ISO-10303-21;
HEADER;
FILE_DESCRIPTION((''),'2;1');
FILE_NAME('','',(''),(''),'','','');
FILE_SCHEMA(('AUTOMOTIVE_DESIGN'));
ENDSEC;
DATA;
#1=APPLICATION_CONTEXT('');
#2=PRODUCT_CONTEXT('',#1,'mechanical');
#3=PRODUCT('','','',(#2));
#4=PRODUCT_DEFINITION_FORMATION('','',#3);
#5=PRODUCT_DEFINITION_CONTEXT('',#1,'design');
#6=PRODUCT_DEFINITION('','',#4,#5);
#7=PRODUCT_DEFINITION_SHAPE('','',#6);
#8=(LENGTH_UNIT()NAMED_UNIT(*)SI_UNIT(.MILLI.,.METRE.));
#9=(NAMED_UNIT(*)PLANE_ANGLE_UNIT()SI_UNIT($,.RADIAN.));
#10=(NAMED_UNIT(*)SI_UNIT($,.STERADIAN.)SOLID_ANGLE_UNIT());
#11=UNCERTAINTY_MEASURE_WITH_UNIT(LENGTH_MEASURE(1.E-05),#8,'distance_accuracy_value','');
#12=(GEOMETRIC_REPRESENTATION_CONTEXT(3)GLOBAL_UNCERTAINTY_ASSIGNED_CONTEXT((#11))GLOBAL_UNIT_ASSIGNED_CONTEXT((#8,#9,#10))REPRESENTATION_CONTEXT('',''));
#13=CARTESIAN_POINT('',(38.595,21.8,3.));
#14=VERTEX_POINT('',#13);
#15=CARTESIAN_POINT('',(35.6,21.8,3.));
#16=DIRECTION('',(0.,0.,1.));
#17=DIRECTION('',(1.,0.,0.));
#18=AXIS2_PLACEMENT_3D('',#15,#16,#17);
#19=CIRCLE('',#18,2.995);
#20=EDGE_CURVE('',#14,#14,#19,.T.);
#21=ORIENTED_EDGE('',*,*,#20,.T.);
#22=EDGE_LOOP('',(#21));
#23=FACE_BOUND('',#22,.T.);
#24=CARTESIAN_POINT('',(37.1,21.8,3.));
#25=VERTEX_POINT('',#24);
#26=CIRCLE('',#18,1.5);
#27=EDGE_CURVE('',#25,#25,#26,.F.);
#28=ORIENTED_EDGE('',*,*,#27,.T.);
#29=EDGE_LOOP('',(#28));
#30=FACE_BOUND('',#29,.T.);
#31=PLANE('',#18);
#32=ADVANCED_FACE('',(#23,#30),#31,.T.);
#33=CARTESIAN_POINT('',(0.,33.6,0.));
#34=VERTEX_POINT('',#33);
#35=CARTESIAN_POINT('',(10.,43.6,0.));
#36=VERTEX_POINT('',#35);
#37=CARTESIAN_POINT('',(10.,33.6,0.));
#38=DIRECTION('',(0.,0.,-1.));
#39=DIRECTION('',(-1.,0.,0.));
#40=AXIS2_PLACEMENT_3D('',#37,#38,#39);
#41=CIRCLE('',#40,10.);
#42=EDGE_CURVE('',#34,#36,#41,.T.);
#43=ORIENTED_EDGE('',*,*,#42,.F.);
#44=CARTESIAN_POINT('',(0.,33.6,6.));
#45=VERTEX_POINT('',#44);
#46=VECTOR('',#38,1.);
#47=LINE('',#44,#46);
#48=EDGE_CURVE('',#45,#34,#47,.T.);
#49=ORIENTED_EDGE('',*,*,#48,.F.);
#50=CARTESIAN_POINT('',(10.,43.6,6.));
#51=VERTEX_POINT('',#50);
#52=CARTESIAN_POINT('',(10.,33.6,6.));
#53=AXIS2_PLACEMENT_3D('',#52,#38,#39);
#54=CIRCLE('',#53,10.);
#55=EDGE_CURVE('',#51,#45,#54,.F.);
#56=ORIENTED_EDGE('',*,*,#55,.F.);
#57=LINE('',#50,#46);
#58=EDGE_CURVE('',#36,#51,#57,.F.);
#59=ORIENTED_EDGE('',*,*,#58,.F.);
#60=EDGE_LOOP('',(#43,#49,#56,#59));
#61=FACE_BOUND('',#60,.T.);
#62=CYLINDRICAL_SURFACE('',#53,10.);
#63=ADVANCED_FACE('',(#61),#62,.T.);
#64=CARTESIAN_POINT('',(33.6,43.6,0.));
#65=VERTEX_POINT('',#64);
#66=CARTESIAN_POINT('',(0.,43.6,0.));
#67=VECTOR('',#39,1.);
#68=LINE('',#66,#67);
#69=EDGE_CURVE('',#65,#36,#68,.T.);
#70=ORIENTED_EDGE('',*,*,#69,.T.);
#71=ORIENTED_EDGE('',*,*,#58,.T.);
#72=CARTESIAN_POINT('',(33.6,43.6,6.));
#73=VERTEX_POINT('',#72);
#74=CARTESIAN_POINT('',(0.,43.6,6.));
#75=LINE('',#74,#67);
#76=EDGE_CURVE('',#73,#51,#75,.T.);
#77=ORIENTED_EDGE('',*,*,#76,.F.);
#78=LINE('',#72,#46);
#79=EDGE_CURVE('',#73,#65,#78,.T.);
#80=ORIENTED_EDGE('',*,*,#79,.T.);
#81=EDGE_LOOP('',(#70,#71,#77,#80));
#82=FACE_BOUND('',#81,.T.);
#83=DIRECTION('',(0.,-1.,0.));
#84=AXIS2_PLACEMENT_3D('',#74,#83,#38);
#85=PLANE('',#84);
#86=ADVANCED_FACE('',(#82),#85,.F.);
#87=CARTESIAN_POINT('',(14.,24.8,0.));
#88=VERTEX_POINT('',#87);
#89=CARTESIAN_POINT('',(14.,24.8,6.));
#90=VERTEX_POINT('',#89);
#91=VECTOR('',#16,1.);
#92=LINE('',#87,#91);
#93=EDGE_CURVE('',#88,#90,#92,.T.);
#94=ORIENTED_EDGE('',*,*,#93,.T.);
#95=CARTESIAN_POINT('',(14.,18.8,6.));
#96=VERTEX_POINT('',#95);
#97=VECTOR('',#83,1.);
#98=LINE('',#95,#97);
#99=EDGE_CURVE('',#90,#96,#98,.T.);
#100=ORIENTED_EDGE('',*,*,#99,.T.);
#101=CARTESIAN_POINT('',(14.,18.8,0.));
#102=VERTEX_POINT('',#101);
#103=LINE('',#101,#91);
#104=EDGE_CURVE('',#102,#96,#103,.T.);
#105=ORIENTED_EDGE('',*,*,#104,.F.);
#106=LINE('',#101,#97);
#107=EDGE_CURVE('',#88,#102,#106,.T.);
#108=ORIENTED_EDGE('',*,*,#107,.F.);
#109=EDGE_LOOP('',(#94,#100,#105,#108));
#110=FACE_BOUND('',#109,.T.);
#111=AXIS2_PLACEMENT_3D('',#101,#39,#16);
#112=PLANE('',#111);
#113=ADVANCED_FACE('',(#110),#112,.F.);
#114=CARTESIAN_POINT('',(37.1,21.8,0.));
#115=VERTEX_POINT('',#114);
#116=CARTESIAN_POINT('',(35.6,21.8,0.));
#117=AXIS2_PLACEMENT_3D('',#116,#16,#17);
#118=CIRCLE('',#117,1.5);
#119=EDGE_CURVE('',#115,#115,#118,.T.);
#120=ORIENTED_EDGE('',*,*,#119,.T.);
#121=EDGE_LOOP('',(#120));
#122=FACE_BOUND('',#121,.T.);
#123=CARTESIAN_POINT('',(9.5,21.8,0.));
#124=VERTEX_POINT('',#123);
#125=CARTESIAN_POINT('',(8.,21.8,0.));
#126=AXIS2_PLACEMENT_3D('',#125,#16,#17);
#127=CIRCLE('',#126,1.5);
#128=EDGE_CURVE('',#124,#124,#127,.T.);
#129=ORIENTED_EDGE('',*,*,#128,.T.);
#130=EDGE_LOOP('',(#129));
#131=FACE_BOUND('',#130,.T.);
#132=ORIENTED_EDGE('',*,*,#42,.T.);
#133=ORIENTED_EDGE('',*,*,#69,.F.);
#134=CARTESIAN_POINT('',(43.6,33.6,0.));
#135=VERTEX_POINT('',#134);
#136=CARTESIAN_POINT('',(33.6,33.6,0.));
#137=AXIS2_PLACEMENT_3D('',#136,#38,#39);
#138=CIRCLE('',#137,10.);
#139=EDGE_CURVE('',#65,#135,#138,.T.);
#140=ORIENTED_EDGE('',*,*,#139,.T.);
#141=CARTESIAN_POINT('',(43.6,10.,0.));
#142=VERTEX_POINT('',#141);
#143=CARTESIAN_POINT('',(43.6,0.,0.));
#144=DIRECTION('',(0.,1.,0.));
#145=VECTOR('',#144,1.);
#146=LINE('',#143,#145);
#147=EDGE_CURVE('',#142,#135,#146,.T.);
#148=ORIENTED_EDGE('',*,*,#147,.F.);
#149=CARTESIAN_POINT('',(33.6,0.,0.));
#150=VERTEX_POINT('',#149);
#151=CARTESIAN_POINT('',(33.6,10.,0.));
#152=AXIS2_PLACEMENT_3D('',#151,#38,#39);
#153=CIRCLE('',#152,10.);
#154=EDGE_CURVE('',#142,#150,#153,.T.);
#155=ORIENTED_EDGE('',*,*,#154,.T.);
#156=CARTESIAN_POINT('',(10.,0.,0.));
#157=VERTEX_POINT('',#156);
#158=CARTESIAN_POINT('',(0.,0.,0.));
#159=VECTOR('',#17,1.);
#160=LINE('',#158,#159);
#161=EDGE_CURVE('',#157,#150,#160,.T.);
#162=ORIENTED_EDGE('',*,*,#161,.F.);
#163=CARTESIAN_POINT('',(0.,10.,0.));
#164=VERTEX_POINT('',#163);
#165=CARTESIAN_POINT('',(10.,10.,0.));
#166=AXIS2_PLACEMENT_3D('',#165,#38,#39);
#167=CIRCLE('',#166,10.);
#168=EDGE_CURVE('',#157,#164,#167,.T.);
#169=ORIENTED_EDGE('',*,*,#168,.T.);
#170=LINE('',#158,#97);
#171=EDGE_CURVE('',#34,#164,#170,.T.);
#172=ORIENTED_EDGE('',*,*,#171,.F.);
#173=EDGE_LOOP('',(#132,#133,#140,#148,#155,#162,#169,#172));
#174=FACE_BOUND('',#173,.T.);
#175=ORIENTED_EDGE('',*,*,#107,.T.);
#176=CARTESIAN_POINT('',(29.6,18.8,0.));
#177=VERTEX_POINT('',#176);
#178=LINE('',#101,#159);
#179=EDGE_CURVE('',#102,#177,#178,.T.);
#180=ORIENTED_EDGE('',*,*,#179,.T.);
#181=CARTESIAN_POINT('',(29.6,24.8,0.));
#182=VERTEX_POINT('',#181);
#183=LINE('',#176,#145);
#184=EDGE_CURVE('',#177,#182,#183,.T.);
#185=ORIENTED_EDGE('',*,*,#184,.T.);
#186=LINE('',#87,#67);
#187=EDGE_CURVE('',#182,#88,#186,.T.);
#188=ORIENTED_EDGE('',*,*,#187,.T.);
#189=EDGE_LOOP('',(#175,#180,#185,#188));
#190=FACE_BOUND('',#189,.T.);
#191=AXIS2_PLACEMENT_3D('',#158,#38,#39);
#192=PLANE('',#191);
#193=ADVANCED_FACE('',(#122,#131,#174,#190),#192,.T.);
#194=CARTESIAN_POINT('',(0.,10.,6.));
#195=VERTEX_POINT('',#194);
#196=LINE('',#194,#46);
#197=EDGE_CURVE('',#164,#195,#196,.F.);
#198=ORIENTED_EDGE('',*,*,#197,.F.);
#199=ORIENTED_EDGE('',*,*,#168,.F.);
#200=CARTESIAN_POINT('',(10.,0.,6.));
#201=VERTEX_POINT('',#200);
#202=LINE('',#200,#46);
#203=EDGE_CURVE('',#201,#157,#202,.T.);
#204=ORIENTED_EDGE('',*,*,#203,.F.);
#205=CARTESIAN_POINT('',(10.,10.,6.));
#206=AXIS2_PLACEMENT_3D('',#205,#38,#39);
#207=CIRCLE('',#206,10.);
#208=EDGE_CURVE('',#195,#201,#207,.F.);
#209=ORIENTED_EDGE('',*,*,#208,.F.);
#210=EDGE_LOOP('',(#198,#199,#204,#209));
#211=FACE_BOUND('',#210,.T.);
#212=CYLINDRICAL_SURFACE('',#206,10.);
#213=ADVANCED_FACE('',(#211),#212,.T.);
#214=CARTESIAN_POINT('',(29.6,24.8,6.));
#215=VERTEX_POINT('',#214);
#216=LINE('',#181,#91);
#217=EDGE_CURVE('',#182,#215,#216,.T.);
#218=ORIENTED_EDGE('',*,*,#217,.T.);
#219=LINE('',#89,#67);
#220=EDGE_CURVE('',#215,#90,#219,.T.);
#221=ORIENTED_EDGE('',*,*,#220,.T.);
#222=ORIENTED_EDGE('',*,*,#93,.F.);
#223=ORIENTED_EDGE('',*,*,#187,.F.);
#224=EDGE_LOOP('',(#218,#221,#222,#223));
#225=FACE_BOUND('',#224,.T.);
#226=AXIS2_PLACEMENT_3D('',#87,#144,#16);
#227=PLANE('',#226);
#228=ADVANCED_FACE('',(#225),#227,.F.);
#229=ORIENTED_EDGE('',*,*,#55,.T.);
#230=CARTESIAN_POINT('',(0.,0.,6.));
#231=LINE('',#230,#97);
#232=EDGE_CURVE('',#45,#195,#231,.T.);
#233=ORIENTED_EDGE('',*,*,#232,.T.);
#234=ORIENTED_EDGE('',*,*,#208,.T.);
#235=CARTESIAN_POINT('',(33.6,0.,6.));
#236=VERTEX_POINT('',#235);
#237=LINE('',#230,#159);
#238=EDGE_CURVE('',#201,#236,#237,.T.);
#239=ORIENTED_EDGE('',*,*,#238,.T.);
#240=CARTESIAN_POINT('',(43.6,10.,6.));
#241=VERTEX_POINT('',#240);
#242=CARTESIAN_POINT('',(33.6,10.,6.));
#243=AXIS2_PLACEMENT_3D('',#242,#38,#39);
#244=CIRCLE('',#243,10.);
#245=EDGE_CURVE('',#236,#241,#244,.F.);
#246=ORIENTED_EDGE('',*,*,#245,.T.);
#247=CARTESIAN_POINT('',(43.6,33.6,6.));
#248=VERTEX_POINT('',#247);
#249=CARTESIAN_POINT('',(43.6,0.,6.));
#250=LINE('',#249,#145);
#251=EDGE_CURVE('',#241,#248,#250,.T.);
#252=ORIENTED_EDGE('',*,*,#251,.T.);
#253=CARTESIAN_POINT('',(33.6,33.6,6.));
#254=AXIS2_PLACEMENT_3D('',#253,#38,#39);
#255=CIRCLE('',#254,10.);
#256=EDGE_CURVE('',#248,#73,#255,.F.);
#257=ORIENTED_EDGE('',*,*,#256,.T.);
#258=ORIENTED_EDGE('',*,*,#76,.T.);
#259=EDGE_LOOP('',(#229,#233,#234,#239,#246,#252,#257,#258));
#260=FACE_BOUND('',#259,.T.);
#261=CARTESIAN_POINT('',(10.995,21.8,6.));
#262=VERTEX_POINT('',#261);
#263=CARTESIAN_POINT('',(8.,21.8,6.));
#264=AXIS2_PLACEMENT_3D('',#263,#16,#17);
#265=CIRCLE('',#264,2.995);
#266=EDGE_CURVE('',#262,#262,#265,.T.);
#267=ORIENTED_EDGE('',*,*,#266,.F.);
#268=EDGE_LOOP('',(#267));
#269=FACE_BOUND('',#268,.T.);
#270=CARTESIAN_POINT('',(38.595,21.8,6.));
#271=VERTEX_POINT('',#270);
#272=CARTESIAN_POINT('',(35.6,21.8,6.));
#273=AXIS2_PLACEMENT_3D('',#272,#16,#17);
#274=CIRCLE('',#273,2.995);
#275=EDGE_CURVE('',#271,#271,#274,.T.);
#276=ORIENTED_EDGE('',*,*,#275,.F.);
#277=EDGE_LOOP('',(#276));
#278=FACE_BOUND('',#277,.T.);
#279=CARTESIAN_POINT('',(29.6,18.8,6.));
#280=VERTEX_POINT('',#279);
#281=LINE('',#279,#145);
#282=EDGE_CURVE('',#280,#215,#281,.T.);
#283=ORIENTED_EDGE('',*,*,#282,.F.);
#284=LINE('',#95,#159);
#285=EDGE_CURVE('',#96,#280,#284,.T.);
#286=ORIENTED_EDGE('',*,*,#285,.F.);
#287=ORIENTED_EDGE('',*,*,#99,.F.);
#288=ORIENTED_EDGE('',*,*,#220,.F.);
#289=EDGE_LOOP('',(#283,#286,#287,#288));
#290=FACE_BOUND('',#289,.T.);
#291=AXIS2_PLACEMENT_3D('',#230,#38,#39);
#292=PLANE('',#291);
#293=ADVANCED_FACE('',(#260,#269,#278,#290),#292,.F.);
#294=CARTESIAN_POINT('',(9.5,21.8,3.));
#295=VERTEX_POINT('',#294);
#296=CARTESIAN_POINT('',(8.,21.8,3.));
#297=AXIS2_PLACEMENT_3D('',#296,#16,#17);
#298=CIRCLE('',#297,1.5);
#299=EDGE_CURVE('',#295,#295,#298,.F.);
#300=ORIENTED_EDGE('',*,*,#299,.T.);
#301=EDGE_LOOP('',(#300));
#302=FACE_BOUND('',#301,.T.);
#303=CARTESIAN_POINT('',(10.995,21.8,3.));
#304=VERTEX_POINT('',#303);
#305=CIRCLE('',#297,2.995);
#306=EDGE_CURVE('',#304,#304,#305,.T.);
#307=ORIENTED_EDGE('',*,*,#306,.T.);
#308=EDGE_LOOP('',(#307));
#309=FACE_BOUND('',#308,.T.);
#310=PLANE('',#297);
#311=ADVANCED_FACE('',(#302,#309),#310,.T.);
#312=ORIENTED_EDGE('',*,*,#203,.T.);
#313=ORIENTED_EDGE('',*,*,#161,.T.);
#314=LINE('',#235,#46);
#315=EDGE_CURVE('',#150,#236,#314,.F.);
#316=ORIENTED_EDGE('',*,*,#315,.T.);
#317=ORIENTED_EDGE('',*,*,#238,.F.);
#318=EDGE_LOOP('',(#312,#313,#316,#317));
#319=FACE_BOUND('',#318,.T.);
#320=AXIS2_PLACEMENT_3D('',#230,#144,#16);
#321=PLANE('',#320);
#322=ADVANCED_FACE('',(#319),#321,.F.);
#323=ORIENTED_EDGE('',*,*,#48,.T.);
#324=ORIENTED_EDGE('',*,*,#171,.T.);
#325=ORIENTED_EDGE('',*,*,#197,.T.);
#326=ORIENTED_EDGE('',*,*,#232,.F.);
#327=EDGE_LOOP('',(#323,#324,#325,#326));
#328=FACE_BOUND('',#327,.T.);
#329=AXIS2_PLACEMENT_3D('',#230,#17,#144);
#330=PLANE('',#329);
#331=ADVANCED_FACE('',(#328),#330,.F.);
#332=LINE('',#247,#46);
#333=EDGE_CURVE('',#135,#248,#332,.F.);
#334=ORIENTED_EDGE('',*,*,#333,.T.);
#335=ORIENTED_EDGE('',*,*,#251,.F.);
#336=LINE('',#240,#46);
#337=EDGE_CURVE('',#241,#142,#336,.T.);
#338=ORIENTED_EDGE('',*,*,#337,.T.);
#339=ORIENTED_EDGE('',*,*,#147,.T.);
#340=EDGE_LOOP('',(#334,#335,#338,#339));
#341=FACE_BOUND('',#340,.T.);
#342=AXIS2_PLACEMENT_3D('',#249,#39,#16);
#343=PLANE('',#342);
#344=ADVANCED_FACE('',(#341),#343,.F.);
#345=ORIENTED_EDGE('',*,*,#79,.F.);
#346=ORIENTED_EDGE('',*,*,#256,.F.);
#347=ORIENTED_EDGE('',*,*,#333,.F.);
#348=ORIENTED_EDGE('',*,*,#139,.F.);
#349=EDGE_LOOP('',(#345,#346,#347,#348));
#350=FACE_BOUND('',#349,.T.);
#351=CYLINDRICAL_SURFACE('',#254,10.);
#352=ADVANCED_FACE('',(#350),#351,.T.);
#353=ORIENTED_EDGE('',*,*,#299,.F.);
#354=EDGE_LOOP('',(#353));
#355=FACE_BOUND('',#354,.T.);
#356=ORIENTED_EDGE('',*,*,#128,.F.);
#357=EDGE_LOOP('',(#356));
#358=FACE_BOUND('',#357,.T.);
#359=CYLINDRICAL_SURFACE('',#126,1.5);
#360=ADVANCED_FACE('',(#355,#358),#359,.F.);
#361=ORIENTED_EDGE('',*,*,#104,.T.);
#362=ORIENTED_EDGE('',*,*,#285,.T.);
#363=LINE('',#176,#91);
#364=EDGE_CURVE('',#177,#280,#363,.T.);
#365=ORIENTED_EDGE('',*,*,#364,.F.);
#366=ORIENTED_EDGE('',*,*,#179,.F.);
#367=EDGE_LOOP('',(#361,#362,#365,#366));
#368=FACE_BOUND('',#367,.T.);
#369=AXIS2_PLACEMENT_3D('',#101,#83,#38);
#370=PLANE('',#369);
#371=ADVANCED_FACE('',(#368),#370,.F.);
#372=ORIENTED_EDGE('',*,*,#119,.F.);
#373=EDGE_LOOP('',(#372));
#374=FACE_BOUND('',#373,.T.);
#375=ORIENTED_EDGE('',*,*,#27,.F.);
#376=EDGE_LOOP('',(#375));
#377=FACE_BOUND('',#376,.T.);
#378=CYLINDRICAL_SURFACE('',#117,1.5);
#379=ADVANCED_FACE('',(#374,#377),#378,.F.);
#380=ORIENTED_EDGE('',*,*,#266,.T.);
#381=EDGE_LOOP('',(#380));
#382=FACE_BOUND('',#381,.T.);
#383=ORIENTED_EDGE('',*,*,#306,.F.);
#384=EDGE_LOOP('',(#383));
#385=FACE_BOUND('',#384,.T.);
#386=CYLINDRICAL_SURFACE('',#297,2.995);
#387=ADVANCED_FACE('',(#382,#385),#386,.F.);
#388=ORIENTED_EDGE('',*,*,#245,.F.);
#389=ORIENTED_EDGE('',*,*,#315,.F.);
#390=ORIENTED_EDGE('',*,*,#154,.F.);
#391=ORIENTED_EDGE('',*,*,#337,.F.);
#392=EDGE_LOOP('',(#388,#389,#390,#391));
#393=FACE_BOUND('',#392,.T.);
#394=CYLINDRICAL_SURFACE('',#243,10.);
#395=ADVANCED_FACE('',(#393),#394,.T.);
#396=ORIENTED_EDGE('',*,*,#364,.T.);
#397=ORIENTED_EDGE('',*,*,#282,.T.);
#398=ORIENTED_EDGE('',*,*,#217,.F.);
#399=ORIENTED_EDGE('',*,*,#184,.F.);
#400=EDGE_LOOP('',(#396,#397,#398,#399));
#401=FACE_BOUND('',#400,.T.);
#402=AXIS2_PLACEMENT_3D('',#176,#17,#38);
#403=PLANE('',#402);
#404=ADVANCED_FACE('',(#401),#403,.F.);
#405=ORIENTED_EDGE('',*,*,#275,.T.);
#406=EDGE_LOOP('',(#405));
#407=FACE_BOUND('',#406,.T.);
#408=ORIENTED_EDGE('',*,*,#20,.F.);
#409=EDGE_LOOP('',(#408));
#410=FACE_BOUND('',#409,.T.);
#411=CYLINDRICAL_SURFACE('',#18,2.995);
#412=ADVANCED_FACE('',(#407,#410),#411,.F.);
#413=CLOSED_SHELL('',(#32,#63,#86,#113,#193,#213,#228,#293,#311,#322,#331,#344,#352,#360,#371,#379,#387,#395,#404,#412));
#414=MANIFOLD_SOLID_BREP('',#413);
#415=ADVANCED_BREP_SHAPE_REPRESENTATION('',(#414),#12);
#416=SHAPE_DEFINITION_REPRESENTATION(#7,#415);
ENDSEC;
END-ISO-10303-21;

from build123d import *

# Parameters (mm, degrees)
ESQUISSE1_W             = 43.6
ESQUISSE1_H             = 43.6
BOSS_EXTRU_1_DEPTH      = 6
CONG_1_R                = 10
ESQUISSE2_R             = 1.5
ESQUISSE2_W             = 15.6
ESQUISSE2_H             = 6
ENL_V_MAT_EXTRU_1_DEPTH = 6
ESQUISSE3_R             = 2.995
ENL_V_MAT_EXTRU_2_DEPTH = 3


with BuildPart() as part:
    # Esquisse1 → Boss.-Extru.1 (new body)
    with BuildSketch(Plane.XY):
        with Locations((21.8, 21.8)):
            Rectangle(ESQUISSE1_W, ESQUISSE1_H)
    extrude(amount=BOSS_EXTRU_1_DEPTH)

    # Congé1
    cong_1_edges = [part.edges().sort_by_distance(p)[0] for p in [
        (0, 43.6, 3),
        (43.6, 43.6, 3),
        (43.6, 0, 3),
        (0, 0, 3),
    ]]
    fillet(cong_1_edges, radius=CONG_1_R)

    # Esquisse2 → Enlèv. mat.-Extru.1 (cut)
    with BuildSketch(Plane.XY.offset(6)):
        with Locations((8, 21.8)):
            Circle(ESQUISSE2_R)
        with Locations((35.6, 21.8)):
            Circle(ESQUISSE2_R)
        with Locations((21.8, 21.8)):
            Rectangle(ESQUISSE2_W, ESQUISSE2_H)
    extrude(amount=-ENL_V_MAT_EXTRU_1_DEPTH, mode=Mode.SUBTRACT)

    # Esquisse3 → Enlèv. mat.-Extru.2 (cut)
    with BuildSketch(Plane.XY.offset(6)):
        with Locations((8, 21.8)):
            Circle(ESQUISSE3_R)
        with Locations((35.6, 21.8)):
            Circle(ESQUISSE3_R)
    extrude(amount=-ENL_V_MAT_EXTRU_2_DEPTH, mode=Mode.SUBTRACT)


solid = part.part
